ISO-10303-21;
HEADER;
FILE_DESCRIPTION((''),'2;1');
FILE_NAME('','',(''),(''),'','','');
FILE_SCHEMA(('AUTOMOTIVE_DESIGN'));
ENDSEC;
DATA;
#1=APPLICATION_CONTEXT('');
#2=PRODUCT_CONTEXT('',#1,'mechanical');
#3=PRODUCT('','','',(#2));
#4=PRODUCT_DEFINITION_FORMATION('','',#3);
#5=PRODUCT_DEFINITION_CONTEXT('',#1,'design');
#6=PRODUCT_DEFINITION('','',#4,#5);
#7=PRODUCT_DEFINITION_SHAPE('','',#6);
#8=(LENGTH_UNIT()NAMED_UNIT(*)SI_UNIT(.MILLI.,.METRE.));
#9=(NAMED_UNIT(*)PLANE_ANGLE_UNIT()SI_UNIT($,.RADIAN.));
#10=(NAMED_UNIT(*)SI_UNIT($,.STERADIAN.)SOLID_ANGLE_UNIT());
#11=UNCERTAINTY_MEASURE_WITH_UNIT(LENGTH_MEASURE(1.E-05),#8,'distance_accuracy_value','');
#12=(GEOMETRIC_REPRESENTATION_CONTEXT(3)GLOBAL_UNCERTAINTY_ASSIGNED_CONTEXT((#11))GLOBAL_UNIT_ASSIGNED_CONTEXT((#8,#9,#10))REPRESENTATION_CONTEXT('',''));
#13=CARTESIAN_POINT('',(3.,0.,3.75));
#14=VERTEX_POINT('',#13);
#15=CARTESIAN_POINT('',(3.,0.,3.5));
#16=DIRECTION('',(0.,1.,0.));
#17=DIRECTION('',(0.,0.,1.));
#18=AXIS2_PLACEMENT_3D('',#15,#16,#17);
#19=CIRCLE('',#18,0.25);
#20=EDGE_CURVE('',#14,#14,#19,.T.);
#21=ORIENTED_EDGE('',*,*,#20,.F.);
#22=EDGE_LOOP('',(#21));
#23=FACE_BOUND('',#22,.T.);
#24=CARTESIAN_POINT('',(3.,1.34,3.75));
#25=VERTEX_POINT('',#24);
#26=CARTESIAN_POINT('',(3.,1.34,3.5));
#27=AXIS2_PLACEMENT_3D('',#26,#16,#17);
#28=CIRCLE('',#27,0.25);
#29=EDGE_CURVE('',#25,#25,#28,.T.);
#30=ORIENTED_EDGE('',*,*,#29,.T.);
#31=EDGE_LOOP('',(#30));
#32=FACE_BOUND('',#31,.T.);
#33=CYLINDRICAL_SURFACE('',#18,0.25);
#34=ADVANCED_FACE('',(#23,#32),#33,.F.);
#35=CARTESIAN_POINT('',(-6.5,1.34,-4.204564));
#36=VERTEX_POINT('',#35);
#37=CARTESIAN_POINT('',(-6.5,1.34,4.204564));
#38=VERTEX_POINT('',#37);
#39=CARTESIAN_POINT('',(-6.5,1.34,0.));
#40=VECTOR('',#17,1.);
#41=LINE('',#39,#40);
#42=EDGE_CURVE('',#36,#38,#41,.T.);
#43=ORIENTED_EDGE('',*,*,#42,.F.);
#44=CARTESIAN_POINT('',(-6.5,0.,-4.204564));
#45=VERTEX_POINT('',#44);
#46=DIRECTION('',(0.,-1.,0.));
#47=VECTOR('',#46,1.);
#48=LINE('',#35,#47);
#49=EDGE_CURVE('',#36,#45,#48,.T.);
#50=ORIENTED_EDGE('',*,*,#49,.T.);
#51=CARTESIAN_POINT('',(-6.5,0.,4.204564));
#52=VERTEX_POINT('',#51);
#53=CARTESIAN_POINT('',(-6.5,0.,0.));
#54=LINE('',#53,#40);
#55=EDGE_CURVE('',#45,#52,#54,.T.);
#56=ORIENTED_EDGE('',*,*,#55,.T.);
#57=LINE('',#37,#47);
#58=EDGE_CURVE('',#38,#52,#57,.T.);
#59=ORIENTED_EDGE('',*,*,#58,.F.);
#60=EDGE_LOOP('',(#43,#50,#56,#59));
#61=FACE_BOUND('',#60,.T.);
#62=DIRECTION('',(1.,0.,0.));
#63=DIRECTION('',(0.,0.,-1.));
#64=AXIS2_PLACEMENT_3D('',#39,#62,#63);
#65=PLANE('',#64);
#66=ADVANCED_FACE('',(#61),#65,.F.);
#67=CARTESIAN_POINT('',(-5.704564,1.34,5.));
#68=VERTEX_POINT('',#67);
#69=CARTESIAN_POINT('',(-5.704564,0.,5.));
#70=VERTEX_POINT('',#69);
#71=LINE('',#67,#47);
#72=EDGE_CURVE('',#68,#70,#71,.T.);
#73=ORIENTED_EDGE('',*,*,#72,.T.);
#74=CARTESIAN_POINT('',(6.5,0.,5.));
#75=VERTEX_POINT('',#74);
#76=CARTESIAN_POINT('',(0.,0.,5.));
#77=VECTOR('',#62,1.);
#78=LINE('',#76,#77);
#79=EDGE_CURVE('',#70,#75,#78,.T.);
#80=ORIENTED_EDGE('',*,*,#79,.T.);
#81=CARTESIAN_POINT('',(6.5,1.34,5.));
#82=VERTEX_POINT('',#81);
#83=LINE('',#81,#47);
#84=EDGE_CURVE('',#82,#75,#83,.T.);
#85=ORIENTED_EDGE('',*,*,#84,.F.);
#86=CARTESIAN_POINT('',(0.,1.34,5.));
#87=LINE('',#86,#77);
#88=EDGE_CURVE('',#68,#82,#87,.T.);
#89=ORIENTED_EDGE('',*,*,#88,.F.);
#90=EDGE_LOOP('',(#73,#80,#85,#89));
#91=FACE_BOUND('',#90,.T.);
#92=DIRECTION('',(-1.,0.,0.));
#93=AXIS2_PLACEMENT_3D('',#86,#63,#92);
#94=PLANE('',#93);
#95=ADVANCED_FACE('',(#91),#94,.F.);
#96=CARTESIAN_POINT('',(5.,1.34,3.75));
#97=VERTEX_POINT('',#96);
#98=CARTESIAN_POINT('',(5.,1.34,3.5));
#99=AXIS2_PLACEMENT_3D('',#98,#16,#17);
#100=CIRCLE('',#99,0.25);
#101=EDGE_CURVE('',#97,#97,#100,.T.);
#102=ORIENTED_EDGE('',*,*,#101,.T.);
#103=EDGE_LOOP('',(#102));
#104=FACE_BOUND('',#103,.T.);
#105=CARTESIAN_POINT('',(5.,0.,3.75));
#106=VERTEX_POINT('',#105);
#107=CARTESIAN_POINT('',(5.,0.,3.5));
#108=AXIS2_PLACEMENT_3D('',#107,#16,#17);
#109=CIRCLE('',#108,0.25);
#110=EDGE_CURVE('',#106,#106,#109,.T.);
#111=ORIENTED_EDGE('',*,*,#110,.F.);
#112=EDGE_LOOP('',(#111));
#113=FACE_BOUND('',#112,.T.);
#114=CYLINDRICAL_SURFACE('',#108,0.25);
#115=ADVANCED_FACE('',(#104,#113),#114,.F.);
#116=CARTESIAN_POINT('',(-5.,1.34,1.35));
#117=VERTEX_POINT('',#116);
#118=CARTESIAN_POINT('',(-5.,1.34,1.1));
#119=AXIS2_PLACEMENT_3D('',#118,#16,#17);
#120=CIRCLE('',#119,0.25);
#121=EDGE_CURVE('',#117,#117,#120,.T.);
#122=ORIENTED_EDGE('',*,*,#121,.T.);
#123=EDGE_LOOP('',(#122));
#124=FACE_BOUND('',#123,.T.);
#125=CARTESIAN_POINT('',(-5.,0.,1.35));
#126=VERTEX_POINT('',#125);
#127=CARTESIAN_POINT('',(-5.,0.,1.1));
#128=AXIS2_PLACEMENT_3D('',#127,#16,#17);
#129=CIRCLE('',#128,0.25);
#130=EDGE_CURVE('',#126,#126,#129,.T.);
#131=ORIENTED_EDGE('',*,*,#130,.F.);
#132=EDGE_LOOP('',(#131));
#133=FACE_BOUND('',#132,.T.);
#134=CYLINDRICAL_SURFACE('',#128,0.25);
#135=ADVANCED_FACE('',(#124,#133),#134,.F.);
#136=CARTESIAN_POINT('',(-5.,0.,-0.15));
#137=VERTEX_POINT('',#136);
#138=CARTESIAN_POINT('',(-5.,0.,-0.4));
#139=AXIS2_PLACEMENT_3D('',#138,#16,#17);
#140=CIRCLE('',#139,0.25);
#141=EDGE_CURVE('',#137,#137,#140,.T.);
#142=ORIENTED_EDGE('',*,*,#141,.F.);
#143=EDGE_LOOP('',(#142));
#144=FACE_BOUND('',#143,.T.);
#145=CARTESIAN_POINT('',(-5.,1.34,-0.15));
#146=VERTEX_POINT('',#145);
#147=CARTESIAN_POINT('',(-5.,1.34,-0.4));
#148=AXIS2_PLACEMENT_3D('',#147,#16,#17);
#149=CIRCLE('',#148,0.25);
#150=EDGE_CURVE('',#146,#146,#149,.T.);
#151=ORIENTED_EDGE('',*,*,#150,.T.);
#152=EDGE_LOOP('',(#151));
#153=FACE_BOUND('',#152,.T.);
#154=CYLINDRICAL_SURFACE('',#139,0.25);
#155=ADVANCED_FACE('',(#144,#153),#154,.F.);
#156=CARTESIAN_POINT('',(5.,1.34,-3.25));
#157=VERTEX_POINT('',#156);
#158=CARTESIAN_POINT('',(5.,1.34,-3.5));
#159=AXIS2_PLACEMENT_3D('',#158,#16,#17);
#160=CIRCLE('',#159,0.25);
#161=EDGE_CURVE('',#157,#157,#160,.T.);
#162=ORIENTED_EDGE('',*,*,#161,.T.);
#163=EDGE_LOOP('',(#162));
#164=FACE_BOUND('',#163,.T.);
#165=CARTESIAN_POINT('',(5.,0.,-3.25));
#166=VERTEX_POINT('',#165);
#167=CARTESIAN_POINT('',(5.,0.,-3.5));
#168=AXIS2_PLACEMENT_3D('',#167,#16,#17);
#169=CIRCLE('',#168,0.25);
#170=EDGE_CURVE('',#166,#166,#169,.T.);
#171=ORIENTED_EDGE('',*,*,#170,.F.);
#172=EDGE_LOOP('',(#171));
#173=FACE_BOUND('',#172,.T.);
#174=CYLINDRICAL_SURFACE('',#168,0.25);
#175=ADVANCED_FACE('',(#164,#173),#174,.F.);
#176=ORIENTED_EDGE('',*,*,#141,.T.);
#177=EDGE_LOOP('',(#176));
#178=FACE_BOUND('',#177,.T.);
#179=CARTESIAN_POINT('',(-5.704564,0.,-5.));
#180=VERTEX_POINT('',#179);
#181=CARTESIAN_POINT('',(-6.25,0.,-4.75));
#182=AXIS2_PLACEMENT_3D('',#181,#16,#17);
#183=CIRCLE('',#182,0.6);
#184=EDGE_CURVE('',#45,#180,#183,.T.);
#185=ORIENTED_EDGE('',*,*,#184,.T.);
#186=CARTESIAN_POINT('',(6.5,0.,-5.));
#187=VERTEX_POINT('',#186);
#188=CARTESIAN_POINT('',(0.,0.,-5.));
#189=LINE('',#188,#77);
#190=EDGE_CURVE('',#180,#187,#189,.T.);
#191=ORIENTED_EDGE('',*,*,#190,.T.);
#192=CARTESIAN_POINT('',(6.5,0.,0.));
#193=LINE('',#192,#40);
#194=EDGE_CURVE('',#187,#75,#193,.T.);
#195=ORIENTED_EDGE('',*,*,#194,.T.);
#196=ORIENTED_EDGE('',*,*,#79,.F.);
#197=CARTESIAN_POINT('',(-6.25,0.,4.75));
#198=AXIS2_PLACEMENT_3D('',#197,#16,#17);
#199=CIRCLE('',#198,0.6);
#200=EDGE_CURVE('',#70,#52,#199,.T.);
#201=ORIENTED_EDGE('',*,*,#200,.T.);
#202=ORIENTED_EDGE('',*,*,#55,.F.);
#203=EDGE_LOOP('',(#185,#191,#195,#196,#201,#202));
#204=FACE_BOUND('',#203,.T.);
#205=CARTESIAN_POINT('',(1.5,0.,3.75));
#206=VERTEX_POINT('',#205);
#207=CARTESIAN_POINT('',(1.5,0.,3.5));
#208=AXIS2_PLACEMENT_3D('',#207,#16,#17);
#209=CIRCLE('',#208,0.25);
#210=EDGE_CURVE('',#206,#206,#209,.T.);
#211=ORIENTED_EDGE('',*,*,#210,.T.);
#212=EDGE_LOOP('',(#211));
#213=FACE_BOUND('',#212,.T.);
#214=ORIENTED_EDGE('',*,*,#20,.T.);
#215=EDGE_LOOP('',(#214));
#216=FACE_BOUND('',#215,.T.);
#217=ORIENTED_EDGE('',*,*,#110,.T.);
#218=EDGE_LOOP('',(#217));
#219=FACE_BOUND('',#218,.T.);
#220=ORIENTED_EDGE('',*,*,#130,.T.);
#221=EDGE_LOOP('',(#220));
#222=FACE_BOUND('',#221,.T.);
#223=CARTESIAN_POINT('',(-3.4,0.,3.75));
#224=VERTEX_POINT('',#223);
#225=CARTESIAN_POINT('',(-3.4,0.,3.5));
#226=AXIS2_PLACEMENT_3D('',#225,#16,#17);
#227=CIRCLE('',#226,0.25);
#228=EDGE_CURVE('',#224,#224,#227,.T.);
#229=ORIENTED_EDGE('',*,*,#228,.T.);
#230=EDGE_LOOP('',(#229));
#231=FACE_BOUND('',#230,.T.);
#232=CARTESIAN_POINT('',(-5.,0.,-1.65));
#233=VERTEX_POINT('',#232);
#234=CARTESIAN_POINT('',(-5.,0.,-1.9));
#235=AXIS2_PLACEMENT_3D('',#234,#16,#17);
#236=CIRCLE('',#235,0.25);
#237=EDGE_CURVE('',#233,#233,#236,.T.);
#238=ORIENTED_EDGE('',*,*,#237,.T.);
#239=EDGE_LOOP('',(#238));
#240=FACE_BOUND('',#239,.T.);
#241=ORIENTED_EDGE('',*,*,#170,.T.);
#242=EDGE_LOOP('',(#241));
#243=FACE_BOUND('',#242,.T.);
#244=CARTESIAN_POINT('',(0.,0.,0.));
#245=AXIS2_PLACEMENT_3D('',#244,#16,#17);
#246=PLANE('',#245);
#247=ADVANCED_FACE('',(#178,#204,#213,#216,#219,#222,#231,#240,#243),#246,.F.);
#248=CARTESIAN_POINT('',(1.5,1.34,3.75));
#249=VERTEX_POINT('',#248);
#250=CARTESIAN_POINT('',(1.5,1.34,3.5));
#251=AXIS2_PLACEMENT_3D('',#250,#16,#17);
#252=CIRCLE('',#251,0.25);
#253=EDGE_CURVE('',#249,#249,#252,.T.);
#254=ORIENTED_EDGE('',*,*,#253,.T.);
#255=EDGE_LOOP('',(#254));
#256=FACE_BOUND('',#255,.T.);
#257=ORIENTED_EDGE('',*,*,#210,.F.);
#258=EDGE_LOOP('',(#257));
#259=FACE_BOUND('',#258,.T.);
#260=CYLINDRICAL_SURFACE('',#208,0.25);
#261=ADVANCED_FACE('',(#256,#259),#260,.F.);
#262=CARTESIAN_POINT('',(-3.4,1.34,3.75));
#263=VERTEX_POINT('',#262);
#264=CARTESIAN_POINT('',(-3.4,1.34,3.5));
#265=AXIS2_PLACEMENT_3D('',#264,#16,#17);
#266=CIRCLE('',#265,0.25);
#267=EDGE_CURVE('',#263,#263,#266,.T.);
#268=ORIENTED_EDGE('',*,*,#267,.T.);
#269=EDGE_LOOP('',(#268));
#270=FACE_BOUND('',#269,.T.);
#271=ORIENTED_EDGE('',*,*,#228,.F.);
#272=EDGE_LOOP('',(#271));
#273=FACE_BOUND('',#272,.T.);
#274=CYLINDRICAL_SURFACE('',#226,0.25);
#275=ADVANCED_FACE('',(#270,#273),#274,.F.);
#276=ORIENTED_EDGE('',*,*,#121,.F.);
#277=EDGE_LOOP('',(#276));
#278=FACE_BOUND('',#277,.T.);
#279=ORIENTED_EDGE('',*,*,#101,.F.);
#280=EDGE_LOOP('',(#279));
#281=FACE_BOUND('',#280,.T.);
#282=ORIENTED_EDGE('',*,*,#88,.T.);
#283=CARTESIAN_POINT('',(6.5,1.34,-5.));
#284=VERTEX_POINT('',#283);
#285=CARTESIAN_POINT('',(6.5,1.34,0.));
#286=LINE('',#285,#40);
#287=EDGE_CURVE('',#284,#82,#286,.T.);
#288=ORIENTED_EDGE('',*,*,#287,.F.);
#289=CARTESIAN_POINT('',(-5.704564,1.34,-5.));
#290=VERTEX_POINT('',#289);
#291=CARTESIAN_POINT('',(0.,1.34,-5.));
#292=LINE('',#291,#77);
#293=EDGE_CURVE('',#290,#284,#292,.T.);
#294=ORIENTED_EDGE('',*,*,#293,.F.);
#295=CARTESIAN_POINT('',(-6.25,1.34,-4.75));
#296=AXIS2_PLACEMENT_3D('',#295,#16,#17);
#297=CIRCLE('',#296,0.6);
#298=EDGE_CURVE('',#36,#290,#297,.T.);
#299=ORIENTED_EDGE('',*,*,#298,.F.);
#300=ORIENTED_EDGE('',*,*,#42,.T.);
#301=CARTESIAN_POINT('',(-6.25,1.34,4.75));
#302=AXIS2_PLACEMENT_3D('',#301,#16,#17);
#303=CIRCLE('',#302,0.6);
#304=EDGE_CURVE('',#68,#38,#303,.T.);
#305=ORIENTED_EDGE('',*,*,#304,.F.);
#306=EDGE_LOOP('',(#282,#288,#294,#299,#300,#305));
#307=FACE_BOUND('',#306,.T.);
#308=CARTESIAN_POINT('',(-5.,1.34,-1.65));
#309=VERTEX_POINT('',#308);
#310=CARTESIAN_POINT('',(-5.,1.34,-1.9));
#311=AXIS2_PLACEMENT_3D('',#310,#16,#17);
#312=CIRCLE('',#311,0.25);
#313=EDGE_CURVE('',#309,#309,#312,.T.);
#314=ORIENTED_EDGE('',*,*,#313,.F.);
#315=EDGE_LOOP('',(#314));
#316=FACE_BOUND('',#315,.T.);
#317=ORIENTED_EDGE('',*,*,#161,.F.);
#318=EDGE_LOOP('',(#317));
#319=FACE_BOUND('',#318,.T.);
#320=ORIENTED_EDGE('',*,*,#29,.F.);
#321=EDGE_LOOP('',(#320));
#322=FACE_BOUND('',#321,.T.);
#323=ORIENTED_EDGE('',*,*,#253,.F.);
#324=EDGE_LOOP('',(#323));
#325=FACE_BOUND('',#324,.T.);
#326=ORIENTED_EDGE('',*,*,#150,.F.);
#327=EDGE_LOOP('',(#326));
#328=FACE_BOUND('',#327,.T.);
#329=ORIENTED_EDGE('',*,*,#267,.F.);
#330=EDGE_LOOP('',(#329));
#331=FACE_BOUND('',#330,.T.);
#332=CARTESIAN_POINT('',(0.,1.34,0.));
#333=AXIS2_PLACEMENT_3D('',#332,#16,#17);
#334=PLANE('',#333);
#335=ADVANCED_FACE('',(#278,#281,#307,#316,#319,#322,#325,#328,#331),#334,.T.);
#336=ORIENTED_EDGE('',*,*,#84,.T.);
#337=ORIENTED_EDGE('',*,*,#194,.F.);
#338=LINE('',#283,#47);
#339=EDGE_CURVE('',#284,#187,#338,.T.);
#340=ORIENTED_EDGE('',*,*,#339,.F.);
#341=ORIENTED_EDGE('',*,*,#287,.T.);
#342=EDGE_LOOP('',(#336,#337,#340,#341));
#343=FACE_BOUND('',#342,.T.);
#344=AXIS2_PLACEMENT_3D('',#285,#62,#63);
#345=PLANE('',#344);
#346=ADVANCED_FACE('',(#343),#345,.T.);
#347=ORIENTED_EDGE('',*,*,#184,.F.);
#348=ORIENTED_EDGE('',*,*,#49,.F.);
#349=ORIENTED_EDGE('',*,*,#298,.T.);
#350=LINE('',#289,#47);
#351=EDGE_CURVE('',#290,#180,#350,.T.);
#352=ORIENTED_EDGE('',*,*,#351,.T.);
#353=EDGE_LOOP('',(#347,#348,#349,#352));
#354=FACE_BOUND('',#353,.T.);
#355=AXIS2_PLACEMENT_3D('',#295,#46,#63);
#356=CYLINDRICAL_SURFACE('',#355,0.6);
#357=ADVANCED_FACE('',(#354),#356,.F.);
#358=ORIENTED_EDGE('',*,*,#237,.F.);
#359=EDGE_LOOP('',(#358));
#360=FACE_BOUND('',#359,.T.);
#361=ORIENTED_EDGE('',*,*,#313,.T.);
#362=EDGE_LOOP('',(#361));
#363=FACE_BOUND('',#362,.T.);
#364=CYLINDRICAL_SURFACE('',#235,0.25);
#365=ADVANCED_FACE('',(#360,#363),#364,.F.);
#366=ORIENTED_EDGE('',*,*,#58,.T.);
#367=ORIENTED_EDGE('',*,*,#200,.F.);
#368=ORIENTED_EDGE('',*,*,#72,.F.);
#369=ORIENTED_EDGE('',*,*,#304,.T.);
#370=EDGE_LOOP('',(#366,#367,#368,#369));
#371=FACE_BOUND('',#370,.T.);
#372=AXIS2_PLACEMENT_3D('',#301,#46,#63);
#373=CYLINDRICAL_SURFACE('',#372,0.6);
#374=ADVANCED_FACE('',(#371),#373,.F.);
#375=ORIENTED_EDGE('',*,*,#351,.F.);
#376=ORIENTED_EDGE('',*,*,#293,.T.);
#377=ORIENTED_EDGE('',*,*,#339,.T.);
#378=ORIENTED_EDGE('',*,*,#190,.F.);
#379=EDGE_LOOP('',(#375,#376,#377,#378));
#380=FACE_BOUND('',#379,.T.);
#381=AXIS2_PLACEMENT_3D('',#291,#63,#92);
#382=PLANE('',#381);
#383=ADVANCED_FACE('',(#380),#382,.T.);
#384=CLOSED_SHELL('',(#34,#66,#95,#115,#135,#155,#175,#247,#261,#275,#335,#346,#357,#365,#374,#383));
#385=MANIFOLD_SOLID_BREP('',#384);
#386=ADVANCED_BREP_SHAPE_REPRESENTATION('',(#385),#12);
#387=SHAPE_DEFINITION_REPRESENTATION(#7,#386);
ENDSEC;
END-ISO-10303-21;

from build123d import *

# Parameters (mm, degrees)
BOSS_EXTRUDE1_DEPTH = 1.34
SKETCH2_R           = 0.25
CUT_EXTRUDE1_DEPTH  = 9.309368207


with BuildPart() as part:
    # Sketch1 → Boss-Extrude1 (new body)
    with BuildSketch(Plane(origin=(0, 0, 0), x_dir=(1, 0, 0), z_dir=(0, 1, 0))):
        with BuildLine():
            ThreePointArc((-5.704564394, 5), (-5.825735931, 4.325735931), (-6.5, 4.204564394))
            Line((-6.5, 4.204564394), (-6.5, -4.204564394))
            ThreePointArc((-6.5, -4.204564394), (-5.825735931, -4.325735931), (-5.704564394, -5))
            Line((-5.704564394, -5), (6.5, -5))
            Line((6.5, -5), (6.5, 5))
            Line((6.5, 5), (-5.704564394, 5))
        make_face()
    extrude(amount=BOSS_EXTRUDE1_DEPTH)

    # Sketch2 → Cut-Extrude1 (cut, through all)
    with BuildSketch(Plane(origin=(0, 1.34, 0), x_dir=(1, 0, 0), z_dir=(0, 1, 0))):
        with Locations(Location((-5, 1.9, 0), (0, 0, 270))):
            Circle(SKETCH2_R)
        with Locations(Location((-5, 0.4, 0), (0, 0, 270))):
            Circle(SKETCH2_R)
        with Locations(Location((-5, -1.1, 0), (0, 0, 270))):
            Circle(SKETCH2_R)
        with Locations(Location((5, 3.5, 0), (0, 0, 270))):
            Circle(SKETCH2_R)
        with Locations(Location((5, -3.5, 0), (0, 0, 270))):
            Circle(SKETCH2_R)
        with Locations(Location((3, -3.5, 0), (0, 0, 270))):
            Circle(SKETCH2_R)
        with Locations(Location((1.5, -3.5, 0), (0, 0, 270))):
            Circle(SKETCH2_R)
        with Locations(Location((-3.4, -3.5, 0), (0, 0, 270))):
            Circle(SKETCH2_R)
    extrude(amount=-CUT_EXTRUDE1_DEPTH, mode=Mode.SUBTRACT)


solid = part.part
